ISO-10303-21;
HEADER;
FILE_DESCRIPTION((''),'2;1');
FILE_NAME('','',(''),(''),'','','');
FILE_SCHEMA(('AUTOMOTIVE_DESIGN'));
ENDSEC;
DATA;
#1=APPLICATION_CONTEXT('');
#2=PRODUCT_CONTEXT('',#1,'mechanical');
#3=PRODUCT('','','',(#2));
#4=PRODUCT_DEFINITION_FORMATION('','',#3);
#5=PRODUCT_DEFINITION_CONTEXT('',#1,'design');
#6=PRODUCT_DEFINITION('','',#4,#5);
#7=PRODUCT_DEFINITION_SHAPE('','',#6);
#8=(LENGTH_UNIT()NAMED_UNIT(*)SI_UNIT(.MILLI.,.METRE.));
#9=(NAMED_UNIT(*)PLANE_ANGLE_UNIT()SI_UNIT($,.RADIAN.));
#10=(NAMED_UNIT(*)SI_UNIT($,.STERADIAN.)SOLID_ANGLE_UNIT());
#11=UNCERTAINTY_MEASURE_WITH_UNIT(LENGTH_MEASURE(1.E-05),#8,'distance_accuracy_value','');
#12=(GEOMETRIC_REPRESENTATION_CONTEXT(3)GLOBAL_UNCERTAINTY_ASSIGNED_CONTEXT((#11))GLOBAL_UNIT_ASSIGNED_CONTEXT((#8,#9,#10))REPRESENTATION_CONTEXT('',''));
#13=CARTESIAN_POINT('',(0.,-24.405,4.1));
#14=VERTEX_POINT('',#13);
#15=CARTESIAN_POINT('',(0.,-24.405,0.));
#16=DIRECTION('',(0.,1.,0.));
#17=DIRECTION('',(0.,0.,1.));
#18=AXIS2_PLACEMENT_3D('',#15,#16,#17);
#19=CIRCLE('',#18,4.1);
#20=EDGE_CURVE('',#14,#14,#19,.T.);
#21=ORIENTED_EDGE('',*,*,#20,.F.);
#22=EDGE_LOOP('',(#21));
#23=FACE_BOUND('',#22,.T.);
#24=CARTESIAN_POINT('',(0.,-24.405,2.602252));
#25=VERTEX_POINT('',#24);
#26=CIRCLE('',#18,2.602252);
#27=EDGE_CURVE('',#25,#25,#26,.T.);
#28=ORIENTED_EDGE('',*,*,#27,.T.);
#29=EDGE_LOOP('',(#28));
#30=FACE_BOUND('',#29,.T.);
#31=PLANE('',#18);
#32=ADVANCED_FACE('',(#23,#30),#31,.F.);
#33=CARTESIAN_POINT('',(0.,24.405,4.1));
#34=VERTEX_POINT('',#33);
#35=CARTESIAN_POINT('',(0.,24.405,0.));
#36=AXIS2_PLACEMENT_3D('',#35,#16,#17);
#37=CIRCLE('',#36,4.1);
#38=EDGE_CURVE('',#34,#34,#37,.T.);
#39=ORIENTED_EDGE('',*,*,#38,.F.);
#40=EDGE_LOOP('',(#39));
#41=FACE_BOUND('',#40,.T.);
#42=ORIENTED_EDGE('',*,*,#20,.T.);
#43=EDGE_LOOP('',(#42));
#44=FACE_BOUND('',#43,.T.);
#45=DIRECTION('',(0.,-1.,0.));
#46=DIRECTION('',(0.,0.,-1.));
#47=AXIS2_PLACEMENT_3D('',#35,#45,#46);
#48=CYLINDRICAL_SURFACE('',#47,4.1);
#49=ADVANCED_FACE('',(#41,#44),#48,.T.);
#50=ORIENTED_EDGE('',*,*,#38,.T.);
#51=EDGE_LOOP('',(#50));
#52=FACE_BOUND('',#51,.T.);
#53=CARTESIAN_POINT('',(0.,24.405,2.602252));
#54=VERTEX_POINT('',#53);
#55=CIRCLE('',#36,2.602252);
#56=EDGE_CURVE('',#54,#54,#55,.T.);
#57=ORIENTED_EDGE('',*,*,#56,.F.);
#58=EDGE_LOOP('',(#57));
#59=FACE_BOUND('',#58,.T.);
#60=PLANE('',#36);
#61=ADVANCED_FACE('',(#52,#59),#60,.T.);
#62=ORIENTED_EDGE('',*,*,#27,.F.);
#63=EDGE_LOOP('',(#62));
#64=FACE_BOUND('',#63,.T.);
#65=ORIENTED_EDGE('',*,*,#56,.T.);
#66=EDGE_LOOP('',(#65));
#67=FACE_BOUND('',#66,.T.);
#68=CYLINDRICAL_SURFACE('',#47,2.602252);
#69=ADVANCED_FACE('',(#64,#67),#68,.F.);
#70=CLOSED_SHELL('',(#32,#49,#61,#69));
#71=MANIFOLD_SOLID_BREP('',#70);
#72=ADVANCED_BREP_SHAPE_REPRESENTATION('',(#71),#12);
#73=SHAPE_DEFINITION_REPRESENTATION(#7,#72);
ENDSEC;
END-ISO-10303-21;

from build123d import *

# Parameters (mm, degrees)
SKETCH3_R           = 4.1
SKETCH3_R_2         = 2.602252049
BOSS_EXTRUDE3_DEPTH = 24.405


with BuildPart() as part:
    # Sketch3 → Boss-Extrude3 (new body, symmetric)
    with BuildSketch(Plane(origin=(0, 0, 0), x_dir=(1, 0, 0), z_dir=(0, 1, 0))):
        Circle(SKETCH3_R)
        Circle(SKETCH3_R_2, mode=Mode.SUBTRACT)
    extrude(amount=BOSS_EXTRUDE3_DEPTH, both=True)


solid = part.part
